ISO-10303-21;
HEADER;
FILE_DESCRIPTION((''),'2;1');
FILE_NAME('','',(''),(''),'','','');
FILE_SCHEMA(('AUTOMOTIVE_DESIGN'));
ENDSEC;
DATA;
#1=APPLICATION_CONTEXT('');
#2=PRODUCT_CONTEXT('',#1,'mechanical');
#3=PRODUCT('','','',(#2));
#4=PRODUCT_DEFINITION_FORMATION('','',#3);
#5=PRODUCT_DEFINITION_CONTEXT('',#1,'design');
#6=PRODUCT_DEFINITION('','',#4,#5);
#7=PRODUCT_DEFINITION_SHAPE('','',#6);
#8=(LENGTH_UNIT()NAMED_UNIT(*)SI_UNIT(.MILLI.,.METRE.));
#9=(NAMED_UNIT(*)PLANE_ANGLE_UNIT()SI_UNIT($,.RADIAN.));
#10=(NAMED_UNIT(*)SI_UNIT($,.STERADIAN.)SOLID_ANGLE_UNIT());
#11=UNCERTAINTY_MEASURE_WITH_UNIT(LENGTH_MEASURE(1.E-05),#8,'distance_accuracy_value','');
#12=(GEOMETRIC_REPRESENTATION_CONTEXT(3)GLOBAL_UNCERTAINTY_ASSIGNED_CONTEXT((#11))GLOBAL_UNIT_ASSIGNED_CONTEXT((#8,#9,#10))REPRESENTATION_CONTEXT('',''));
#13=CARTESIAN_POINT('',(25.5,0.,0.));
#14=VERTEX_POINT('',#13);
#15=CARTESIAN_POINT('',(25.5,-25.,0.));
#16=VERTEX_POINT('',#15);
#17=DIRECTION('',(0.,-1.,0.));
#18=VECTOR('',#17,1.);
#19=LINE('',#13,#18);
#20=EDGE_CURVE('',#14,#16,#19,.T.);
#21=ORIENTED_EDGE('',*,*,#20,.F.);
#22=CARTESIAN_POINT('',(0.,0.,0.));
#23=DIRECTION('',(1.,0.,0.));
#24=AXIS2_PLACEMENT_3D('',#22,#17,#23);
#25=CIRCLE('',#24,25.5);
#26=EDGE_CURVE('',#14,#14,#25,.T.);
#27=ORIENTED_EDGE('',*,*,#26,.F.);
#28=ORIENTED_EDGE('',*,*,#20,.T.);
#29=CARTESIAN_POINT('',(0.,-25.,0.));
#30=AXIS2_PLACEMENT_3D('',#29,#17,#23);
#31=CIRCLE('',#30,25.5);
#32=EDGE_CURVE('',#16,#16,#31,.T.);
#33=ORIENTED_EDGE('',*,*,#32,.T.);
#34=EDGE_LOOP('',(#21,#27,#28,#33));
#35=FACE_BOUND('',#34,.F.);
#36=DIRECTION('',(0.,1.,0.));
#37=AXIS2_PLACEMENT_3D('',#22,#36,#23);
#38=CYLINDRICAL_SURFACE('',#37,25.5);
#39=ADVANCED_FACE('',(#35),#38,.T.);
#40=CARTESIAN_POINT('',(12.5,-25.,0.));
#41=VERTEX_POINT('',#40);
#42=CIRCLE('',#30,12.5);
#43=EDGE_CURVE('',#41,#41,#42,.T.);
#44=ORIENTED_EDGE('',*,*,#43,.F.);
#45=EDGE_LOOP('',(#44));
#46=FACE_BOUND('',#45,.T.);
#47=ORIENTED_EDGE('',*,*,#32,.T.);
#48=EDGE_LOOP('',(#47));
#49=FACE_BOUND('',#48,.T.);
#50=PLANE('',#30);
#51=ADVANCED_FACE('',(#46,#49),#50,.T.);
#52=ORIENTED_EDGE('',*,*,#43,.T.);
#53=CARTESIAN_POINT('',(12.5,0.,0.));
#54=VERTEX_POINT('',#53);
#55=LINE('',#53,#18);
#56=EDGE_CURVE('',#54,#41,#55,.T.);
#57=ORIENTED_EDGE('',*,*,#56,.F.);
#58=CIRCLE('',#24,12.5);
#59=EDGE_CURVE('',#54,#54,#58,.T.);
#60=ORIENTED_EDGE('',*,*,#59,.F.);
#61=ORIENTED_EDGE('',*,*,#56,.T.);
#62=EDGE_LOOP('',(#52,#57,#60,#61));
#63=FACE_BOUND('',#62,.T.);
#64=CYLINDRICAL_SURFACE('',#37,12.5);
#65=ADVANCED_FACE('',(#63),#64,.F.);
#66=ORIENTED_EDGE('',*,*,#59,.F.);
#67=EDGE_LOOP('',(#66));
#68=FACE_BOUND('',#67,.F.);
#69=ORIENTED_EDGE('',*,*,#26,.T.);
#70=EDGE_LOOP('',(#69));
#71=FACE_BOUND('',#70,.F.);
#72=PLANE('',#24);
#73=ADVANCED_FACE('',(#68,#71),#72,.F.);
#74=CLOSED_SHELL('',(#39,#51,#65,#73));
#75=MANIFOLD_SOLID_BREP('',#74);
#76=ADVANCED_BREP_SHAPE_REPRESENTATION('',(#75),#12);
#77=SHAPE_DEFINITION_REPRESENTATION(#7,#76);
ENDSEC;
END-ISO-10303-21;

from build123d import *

# Parameters (mm, degrees)
F1_R     = 25.5
F1_R_2   = 12.5
F2_DEPTH = 25


with BuildPart() as f2:
    # F1 (on face) → F2 (new body)
    with BuildSketch(Plane.XZ):
        Circle(F1_R)
        Circle(F1_R_2, mode=Mode.SUBTRACT)
    extrude(amount=F2_DEPTH)


solid = f2.part
